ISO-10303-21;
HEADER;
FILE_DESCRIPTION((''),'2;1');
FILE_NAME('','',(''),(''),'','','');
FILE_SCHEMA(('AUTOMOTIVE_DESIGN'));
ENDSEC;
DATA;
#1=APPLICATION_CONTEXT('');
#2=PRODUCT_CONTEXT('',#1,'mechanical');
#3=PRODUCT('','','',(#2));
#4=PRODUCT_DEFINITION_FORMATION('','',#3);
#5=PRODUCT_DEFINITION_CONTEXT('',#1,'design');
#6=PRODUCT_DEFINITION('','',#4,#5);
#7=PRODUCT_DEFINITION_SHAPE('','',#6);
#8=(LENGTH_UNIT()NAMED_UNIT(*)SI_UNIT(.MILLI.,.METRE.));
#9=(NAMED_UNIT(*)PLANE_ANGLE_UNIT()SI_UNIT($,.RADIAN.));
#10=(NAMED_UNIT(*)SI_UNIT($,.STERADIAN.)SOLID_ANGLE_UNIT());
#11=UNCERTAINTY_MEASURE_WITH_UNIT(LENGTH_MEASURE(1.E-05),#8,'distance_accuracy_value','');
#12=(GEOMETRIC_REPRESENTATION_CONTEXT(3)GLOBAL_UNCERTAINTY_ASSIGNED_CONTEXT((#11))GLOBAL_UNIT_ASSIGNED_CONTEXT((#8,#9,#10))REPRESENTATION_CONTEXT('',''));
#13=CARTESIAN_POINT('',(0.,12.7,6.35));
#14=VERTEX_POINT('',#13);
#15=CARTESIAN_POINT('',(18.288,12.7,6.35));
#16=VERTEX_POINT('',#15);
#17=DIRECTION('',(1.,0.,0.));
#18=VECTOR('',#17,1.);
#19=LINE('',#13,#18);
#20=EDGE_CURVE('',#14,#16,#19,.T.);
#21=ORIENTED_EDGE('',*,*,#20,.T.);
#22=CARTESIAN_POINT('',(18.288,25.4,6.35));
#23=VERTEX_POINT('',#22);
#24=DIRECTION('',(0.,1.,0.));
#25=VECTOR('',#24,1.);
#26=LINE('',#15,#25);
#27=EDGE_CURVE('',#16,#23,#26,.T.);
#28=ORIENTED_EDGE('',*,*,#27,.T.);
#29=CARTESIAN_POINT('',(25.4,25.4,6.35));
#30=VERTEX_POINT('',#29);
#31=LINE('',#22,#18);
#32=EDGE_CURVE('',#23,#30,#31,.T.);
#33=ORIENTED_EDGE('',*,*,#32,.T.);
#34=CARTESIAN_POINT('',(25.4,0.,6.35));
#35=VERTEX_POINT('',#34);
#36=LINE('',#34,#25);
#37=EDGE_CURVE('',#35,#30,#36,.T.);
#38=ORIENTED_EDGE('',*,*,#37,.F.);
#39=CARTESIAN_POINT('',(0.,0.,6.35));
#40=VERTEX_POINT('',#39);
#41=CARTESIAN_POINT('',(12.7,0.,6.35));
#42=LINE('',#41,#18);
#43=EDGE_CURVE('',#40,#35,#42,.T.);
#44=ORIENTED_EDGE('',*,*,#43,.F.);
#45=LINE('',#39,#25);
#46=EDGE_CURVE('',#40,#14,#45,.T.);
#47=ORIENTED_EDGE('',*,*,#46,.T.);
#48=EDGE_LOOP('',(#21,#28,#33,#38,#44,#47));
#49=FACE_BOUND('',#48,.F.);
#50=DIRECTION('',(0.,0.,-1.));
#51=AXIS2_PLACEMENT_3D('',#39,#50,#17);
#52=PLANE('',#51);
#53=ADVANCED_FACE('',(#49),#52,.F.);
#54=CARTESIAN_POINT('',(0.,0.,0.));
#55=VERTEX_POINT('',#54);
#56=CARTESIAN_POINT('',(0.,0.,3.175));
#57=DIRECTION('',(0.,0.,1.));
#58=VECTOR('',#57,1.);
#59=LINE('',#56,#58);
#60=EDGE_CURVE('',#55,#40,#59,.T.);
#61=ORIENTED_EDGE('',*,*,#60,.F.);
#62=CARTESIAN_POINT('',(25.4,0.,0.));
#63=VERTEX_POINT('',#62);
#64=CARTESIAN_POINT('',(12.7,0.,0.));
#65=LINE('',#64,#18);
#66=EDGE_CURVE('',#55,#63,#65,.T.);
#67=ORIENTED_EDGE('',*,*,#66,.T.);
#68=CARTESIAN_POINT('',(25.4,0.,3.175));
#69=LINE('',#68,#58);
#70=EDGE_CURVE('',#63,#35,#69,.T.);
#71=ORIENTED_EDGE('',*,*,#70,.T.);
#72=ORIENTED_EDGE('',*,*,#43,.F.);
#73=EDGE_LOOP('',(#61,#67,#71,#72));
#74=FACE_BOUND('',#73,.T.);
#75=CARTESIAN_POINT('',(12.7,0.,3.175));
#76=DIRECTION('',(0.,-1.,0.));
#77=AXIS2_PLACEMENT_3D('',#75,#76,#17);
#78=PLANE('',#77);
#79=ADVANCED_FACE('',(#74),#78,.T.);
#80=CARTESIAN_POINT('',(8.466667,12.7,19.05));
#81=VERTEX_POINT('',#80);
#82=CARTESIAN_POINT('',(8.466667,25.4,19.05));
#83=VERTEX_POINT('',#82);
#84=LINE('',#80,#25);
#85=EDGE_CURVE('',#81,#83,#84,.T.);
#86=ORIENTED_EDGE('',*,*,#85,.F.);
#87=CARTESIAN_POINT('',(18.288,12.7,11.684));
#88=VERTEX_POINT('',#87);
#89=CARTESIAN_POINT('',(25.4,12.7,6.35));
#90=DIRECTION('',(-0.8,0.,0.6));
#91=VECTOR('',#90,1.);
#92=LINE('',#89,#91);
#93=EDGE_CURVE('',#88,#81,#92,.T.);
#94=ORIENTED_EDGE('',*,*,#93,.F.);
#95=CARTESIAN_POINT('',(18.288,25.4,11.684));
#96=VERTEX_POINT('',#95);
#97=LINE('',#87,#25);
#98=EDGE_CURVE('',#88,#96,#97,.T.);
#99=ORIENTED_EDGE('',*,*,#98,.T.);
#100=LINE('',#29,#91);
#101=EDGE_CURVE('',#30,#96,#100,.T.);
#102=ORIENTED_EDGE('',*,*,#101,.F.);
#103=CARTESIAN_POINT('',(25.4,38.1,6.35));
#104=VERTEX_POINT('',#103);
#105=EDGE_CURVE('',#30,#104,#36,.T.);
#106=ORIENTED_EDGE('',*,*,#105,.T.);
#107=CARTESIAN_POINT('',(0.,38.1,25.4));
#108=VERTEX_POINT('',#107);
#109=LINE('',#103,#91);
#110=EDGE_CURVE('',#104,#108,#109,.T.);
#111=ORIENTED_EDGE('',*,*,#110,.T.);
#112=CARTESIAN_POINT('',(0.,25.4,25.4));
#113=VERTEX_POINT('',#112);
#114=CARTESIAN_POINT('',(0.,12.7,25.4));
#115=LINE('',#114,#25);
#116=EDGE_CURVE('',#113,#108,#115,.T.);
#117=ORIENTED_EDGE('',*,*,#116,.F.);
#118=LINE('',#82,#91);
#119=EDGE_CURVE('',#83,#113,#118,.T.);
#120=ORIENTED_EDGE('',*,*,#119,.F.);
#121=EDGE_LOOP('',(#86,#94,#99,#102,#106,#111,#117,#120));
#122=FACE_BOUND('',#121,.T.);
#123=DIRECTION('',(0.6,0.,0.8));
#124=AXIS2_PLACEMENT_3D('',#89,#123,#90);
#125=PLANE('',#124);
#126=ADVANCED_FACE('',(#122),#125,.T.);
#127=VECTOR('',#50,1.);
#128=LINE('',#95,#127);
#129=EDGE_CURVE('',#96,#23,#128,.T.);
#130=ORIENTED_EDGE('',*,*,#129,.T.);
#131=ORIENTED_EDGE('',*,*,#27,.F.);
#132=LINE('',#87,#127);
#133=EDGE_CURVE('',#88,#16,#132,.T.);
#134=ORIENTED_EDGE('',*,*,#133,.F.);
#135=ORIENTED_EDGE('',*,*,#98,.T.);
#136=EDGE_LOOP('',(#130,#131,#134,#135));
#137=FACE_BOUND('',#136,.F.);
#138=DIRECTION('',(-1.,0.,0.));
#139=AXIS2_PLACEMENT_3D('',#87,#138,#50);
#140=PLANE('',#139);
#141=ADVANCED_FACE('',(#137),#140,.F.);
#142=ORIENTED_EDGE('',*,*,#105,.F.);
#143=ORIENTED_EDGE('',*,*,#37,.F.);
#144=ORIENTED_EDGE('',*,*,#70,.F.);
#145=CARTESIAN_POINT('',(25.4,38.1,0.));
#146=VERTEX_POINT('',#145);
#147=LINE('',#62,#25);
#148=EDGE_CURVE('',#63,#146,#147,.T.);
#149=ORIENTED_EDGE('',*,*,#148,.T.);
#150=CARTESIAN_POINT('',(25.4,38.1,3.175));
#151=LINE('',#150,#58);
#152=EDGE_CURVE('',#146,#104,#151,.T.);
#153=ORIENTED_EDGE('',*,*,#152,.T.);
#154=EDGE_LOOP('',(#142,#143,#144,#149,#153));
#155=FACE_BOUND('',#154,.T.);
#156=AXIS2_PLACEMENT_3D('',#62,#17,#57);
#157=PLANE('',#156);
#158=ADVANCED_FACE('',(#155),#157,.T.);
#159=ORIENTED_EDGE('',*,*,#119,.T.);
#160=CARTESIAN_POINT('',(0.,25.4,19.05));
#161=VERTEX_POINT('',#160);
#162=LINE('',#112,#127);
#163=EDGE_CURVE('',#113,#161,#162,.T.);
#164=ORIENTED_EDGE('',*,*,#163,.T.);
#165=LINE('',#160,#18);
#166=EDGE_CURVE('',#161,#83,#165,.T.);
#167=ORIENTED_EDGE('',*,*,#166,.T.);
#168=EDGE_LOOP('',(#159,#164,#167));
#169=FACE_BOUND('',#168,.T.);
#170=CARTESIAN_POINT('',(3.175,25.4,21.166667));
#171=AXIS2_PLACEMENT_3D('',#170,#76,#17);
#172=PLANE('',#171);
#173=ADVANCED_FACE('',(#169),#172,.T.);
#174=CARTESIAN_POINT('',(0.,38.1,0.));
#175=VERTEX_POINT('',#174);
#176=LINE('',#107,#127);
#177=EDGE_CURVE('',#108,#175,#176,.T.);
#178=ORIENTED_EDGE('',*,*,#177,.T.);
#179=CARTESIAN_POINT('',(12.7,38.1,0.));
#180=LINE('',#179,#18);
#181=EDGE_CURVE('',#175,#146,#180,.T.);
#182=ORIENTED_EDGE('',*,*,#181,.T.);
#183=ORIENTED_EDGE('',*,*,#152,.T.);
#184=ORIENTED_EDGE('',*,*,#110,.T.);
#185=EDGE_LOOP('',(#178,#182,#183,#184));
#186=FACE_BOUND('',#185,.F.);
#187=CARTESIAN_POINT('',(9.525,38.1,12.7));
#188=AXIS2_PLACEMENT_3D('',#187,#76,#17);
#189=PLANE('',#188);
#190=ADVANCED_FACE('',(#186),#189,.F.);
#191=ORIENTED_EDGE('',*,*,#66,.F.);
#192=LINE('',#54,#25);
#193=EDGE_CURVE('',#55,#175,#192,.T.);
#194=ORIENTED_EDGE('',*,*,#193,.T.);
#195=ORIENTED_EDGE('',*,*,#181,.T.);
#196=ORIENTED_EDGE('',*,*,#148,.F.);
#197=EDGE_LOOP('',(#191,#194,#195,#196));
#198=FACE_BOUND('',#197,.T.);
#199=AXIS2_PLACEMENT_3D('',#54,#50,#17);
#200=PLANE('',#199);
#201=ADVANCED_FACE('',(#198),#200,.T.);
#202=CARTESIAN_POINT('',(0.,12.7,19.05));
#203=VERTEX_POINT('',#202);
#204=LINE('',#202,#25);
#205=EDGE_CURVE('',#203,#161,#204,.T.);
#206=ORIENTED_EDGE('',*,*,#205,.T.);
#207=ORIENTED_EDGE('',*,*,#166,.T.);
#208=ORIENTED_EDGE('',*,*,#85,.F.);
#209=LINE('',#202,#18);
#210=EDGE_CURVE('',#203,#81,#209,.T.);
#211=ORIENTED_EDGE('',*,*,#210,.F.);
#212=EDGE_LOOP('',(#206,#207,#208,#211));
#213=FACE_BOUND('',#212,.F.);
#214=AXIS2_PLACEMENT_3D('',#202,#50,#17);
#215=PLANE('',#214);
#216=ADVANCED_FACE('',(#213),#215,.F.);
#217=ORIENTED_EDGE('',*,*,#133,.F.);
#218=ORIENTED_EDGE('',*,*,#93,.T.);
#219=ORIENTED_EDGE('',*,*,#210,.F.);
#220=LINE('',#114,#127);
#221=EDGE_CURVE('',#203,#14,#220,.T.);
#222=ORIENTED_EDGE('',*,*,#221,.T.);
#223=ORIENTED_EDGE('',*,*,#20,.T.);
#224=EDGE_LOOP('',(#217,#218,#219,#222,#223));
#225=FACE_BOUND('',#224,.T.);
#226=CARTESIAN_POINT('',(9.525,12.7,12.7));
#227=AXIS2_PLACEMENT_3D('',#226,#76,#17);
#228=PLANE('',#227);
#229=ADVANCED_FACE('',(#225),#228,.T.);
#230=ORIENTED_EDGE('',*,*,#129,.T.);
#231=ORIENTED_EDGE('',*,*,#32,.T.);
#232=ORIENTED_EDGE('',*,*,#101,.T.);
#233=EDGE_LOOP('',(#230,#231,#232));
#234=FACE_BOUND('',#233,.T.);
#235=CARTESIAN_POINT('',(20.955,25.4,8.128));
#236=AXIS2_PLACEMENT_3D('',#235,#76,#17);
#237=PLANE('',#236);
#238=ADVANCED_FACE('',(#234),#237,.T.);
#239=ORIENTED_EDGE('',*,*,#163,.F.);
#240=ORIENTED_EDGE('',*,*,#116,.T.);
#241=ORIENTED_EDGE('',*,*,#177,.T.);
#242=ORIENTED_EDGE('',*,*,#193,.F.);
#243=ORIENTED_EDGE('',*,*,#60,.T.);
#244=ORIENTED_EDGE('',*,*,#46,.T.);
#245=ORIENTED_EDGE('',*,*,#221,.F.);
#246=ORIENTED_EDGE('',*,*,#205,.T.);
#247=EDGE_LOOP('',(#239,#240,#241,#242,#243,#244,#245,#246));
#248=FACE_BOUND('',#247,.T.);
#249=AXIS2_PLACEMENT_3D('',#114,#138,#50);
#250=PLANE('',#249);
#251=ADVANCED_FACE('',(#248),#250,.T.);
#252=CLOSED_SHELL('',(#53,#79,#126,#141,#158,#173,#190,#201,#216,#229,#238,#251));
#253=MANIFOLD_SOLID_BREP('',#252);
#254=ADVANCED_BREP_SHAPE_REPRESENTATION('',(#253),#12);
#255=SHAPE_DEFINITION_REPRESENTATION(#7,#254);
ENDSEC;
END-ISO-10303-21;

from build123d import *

# Parameters (mm, degrees)
F0_W     = 25.4
F0_H     = 6.35
F1_DEPTH = 38.1
F4_DEPTH = 25.4
F6_DEPTH = 12.7


with BuildPart() as f1:
    # F0 (on Front) → F1 (new body)
    with BuildSketch(Plane.XZ):
        with Locations((12.7, 3.175)):
            Rectangle(F0_W, F0_H)
    extrude(amount=-F1_DEPTH)

    # F3 (on offset) → F4 (join)
    with BuildSketch(Plane.XZ.offset(-12.7)):
        Polygon((0, 25.4), (0, 6.35), (25.4, 6.35), align=None)
    extrude(amount=-F4_DEPTH)

    # F5 (on face) → F6 (cut)
    with BuildSketch(Plane.XZ.offset(-12.7)):
        Polygon((8.4666666667, 19.05), (0, 25.4), (0, 19.05), align=None)
        Polygon((18.288, 6.35), (25.4, 6.35), (18.288, 11.684), align=None)
    extrude(amount=-F6_DEPTH, mode=Mode.SUBTRACT)


solid = f1.part
